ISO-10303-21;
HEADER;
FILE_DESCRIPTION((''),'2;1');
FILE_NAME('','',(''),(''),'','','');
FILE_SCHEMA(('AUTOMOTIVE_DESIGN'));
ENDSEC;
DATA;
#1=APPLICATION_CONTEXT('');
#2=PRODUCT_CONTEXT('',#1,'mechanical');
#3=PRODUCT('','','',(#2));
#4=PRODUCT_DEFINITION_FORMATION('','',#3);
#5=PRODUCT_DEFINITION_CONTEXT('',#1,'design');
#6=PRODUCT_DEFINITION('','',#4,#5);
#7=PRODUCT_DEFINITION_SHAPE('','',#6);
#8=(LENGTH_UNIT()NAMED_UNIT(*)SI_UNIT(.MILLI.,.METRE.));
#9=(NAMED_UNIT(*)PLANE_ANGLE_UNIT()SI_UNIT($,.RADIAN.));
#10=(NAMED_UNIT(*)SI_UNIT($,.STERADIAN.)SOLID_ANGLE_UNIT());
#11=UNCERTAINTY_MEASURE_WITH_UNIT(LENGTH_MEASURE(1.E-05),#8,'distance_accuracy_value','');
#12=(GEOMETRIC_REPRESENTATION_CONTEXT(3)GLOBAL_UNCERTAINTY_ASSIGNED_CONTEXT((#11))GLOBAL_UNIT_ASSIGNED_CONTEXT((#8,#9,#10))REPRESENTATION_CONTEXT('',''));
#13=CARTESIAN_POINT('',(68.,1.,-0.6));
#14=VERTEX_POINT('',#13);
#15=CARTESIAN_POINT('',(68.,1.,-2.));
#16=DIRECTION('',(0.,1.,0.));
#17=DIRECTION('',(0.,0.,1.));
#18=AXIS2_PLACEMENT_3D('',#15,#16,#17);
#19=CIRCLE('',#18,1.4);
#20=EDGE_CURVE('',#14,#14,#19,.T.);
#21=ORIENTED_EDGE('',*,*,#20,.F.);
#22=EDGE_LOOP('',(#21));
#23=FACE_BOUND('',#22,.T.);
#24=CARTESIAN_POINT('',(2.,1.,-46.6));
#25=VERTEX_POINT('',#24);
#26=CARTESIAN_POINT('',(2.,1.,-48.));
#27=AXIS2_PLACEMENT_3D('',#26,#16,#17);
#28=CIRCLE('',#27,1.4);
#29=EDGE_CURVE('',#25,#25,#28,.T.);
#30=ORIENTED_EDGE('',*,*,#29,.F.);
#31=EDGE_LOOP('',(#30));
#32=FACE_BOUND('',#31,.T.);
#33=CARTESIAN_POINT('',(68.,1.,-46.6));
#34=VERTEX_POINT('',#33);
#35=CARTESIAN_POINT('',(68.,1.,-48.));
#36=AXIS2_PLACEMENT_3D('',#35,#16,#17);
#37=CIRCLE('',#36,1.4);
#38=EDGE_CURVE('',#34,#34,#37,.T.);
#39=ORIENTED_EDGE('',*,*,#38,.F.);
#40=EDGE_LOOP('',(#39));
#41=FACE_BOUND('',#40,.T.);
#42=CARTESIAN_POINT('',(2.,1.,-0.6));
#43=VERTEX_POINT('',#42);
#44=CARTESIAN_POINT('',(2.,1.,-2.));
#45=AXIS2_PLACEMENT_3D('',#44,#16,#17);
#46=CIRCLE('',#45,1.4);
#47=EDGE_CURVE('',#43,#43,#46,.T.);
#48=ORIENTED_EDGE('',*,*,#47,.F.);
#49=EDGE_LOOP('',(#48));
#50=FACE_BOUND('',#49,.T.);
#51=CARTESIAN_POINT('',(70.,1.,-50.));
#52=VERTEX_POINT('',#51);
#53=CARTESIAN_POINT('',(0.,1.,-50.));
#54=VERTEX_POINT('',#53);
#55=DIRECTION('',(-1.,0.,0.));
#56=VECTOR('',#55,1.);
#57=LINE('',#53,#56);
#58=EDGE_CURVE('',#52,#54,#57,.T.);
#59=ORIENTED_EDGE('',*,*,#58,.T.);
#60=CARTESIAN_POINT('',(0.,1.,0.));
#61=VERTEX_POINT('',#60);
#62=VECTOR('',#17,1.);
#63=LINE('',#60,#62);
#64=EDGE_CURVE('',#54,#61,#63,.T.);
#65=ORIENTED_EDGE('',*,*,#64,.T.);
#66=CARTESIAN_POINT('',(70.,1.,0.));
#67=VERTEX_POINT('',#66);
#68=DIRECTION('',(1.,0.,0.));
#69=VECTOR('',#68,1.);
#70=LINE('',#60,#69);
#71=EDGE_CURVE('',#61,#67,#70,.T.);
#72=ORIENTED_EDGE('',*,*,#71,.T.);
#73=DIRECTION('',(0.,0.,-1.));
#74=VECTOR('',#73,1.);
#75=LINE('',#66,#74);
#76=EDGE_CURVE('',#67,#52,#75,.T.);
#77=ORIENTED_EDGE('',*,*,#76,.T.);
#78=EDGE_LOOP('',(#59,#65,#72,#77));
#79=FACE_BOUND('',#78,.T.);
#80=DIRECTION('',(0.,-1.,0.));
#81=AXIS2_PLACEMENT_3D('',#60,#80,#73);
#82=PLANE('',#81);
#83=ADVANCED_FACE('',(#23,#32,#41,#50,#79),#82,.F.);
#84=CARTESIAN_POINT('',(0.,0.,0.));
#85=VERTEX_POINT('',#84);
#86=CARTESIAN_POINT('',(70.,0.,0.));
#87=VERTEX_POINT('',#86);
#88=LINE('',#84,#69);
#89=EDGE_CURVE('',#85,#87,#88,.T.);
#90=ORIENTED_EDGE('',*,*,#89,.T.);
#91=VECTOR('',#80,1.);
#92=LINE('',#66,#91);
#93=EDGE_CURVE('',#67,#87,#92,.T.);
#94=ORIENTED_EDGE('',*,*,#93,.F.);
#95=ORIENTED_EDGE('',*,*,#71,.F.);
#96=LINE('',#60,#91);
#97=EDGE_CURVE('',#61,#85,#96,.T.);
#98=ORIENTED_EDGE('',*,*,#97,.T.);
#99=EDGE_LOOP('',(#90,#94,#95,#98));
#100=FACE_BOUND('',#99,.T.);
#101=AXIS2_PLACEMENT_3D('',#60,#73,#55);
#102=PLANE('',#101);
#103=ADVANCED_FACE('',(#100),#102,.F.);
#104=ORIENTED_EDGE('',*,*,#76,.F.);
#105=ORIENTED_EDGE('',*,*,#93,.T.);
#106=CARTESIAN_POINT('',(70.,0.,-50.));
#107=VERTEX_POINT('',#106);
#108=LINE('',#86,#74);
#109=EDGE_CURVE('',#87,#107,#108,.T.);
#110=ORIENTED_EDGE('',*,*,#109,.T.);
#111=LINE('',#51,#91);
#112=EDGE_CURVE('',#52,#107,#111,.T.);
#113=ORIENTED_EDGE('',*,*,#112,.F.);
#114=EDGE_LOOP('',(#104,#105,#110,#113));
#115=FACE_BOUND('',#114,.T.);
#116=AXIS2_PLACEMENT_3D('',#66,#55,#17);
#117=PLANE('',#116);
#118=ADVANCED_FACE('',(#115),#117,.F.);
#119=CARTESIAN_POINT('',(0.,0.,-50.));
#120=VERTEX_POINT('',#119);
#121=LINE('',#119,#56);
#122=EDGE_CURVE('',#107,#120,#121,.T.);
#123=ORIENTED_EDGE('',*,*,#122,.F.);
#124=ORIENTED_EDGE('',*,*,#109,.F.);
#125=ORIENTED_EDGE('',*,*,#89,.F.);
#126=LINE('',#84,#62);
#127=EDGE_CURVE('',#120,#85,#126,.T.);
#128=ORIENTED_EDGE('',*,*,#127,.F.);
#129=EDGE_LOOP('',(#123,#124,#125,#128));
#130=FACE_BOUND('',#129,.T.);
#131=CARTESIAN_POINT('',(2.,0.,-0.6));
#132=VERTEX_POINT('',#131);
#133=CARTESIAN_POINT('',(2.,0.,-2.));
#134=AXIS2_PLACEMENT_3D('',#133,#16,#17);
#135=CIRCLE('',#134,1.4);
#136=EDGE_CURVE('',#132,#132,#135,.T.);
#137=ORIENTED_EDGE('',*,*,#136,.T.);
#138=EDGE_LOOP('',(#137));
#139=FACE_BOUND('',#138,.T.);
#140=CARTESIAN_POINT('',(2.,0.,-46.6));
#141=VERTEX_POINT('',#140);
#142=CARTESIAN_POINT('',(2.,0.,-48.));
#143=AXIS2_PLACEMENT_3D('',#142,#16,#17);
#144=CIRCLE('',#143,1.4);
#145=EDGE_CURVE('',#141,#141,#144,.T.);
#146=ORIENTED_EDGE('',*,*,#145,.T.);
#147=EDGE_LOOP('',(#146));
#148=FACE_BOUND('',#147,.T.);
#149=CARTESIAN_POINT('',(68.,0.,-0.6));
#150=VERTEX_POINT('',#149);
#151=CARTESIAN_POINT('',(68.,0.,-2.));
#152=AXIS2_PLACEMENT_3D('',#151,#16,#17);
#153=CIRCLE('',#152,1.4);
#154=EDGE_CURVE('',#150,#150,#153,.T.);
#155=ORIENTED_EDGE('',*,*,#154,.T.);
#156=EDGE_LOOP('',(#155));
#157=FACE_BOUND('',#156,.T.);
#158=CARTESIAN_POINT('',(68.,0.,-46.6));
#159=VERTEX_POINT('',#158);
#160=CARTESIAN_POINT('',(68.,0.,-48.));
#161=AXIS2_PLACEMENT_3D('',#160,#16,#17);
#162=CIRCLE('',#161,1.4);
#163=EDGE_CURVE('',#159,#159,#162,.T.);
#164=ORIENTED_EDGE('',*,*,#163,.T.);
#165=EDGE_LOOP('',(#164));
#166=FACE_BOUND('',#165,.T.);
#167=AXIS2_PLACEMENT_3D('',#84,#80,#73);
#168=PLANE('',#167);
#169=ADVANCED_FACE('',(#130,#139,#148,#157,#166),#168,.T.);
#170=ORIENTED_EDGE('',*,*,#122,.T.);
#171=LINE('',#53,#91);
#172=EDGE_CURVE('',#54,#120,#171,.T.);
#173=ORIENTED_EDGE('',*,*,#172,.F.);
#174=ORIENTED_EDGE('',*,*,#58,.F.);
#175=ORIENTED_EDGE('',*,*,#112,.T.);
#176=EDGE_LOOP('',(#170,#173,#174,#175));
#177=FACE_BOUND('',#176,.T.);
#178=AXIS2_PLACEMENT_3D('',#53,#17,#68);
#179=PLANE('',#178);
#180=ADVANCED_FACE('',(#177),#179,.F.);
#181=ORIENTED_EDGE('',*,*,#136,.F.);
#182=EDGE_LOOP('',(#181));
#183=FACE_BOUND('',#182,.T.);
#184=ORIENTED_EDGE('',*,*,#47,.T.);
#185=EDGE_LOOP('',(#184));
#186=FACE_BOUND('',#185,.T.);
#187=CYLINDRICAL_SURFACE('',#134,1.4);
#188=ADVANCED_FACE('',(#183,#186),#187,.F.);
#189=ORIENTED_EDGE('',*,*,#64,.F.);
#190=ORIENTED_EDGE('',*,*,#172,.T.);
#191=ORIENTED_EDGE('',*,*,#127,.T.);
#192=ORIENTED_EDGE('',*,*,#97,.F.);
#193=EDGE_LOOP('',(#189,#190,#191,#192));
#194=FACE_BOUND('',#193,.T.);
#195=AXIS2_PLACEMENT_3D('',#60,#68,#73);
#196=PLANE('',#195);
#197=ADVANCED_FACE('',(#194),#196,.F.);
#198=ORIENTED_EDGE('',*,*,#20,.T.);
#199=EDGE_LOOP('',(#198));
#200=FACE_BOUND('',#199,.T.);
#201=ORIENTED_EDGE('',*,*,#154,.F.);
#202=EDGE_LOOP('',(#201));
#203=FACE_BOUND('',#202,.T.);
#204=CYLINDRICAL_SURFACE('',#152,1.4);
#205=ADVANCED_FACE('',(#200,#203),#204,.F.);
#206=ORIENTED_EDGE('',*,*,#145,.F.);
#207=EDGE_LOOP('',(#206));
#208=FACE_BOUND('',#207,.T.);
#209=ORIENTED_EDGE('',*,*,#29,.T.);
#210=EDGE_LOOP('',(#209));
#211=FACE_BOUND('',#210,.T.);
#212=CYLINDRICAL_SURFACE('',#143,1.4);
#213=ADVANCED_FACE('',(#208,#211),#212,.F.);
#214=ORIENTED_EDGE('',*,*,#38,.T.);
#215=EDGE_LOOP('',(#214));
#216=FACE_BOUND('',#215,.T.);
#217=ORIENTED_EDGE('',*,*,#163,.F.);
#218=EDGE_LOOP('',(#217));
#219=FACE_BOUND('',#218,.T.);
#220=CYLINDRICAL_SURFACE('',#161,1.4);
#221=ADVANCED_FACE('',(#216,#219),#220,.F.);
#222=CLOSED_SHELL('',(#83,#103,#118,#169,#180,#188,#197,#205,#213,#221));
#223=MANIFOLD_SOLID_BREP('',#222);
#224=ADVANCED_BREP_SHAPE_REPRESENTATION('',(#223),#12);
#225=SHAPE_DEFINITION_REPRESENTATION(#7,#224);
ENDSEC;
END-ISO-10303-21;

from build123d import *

# Parameters (mm, degrees)
SKETCH1_W           = 70
SKETCH1_H           = 50
BOSS_EXTRUDE1_DEPTH = 1
SKETCH2_R           = 1.4
CUT_EXTRUDE1_DEPTH  = 87.029064856


with BuildPart() as part:
    # Sketch1 → Boss-Extrude1 (new body)
    with BuildSketch(Plane(origin=(0, 0, 0), x_dir=(1, 0, 0), z_dir=(0, 1, 0))):
        with Locations((35, 25)):
            Rectangle(SKETCH1_W, SKETCH1_H)
    extrude(amount=BOSS_EXTRUDE1_DEPTH)

    # Sketch2 → Cut-Extrude1 (cut, through all)
    with BuildSketch(Plane(origin=(0, 1, 0), x_dir=(1, 0, 0), z_dir=(0, 1, 0))):
        with Locations(Location((2, 48, 0), (0, 0, 270))):
            Circle(SKETCH2_R)
        with Locations(Location((68, 48, 0), (0, 0, 270))):
            Circle(SKETCH2_R)
        with Locations(Location((68, 2, 0), (0, 0, 270))):
            Circle(SKETCH2_R)
        with Locations(Location((2, 2, 0), (0, 0, 270))):
            Circle(SKETCH2_R)
    extrude(amount=-CUT_EXTRUDE1_DEPTH, mode=Mode.SUBTRACT)


solid = part.part
